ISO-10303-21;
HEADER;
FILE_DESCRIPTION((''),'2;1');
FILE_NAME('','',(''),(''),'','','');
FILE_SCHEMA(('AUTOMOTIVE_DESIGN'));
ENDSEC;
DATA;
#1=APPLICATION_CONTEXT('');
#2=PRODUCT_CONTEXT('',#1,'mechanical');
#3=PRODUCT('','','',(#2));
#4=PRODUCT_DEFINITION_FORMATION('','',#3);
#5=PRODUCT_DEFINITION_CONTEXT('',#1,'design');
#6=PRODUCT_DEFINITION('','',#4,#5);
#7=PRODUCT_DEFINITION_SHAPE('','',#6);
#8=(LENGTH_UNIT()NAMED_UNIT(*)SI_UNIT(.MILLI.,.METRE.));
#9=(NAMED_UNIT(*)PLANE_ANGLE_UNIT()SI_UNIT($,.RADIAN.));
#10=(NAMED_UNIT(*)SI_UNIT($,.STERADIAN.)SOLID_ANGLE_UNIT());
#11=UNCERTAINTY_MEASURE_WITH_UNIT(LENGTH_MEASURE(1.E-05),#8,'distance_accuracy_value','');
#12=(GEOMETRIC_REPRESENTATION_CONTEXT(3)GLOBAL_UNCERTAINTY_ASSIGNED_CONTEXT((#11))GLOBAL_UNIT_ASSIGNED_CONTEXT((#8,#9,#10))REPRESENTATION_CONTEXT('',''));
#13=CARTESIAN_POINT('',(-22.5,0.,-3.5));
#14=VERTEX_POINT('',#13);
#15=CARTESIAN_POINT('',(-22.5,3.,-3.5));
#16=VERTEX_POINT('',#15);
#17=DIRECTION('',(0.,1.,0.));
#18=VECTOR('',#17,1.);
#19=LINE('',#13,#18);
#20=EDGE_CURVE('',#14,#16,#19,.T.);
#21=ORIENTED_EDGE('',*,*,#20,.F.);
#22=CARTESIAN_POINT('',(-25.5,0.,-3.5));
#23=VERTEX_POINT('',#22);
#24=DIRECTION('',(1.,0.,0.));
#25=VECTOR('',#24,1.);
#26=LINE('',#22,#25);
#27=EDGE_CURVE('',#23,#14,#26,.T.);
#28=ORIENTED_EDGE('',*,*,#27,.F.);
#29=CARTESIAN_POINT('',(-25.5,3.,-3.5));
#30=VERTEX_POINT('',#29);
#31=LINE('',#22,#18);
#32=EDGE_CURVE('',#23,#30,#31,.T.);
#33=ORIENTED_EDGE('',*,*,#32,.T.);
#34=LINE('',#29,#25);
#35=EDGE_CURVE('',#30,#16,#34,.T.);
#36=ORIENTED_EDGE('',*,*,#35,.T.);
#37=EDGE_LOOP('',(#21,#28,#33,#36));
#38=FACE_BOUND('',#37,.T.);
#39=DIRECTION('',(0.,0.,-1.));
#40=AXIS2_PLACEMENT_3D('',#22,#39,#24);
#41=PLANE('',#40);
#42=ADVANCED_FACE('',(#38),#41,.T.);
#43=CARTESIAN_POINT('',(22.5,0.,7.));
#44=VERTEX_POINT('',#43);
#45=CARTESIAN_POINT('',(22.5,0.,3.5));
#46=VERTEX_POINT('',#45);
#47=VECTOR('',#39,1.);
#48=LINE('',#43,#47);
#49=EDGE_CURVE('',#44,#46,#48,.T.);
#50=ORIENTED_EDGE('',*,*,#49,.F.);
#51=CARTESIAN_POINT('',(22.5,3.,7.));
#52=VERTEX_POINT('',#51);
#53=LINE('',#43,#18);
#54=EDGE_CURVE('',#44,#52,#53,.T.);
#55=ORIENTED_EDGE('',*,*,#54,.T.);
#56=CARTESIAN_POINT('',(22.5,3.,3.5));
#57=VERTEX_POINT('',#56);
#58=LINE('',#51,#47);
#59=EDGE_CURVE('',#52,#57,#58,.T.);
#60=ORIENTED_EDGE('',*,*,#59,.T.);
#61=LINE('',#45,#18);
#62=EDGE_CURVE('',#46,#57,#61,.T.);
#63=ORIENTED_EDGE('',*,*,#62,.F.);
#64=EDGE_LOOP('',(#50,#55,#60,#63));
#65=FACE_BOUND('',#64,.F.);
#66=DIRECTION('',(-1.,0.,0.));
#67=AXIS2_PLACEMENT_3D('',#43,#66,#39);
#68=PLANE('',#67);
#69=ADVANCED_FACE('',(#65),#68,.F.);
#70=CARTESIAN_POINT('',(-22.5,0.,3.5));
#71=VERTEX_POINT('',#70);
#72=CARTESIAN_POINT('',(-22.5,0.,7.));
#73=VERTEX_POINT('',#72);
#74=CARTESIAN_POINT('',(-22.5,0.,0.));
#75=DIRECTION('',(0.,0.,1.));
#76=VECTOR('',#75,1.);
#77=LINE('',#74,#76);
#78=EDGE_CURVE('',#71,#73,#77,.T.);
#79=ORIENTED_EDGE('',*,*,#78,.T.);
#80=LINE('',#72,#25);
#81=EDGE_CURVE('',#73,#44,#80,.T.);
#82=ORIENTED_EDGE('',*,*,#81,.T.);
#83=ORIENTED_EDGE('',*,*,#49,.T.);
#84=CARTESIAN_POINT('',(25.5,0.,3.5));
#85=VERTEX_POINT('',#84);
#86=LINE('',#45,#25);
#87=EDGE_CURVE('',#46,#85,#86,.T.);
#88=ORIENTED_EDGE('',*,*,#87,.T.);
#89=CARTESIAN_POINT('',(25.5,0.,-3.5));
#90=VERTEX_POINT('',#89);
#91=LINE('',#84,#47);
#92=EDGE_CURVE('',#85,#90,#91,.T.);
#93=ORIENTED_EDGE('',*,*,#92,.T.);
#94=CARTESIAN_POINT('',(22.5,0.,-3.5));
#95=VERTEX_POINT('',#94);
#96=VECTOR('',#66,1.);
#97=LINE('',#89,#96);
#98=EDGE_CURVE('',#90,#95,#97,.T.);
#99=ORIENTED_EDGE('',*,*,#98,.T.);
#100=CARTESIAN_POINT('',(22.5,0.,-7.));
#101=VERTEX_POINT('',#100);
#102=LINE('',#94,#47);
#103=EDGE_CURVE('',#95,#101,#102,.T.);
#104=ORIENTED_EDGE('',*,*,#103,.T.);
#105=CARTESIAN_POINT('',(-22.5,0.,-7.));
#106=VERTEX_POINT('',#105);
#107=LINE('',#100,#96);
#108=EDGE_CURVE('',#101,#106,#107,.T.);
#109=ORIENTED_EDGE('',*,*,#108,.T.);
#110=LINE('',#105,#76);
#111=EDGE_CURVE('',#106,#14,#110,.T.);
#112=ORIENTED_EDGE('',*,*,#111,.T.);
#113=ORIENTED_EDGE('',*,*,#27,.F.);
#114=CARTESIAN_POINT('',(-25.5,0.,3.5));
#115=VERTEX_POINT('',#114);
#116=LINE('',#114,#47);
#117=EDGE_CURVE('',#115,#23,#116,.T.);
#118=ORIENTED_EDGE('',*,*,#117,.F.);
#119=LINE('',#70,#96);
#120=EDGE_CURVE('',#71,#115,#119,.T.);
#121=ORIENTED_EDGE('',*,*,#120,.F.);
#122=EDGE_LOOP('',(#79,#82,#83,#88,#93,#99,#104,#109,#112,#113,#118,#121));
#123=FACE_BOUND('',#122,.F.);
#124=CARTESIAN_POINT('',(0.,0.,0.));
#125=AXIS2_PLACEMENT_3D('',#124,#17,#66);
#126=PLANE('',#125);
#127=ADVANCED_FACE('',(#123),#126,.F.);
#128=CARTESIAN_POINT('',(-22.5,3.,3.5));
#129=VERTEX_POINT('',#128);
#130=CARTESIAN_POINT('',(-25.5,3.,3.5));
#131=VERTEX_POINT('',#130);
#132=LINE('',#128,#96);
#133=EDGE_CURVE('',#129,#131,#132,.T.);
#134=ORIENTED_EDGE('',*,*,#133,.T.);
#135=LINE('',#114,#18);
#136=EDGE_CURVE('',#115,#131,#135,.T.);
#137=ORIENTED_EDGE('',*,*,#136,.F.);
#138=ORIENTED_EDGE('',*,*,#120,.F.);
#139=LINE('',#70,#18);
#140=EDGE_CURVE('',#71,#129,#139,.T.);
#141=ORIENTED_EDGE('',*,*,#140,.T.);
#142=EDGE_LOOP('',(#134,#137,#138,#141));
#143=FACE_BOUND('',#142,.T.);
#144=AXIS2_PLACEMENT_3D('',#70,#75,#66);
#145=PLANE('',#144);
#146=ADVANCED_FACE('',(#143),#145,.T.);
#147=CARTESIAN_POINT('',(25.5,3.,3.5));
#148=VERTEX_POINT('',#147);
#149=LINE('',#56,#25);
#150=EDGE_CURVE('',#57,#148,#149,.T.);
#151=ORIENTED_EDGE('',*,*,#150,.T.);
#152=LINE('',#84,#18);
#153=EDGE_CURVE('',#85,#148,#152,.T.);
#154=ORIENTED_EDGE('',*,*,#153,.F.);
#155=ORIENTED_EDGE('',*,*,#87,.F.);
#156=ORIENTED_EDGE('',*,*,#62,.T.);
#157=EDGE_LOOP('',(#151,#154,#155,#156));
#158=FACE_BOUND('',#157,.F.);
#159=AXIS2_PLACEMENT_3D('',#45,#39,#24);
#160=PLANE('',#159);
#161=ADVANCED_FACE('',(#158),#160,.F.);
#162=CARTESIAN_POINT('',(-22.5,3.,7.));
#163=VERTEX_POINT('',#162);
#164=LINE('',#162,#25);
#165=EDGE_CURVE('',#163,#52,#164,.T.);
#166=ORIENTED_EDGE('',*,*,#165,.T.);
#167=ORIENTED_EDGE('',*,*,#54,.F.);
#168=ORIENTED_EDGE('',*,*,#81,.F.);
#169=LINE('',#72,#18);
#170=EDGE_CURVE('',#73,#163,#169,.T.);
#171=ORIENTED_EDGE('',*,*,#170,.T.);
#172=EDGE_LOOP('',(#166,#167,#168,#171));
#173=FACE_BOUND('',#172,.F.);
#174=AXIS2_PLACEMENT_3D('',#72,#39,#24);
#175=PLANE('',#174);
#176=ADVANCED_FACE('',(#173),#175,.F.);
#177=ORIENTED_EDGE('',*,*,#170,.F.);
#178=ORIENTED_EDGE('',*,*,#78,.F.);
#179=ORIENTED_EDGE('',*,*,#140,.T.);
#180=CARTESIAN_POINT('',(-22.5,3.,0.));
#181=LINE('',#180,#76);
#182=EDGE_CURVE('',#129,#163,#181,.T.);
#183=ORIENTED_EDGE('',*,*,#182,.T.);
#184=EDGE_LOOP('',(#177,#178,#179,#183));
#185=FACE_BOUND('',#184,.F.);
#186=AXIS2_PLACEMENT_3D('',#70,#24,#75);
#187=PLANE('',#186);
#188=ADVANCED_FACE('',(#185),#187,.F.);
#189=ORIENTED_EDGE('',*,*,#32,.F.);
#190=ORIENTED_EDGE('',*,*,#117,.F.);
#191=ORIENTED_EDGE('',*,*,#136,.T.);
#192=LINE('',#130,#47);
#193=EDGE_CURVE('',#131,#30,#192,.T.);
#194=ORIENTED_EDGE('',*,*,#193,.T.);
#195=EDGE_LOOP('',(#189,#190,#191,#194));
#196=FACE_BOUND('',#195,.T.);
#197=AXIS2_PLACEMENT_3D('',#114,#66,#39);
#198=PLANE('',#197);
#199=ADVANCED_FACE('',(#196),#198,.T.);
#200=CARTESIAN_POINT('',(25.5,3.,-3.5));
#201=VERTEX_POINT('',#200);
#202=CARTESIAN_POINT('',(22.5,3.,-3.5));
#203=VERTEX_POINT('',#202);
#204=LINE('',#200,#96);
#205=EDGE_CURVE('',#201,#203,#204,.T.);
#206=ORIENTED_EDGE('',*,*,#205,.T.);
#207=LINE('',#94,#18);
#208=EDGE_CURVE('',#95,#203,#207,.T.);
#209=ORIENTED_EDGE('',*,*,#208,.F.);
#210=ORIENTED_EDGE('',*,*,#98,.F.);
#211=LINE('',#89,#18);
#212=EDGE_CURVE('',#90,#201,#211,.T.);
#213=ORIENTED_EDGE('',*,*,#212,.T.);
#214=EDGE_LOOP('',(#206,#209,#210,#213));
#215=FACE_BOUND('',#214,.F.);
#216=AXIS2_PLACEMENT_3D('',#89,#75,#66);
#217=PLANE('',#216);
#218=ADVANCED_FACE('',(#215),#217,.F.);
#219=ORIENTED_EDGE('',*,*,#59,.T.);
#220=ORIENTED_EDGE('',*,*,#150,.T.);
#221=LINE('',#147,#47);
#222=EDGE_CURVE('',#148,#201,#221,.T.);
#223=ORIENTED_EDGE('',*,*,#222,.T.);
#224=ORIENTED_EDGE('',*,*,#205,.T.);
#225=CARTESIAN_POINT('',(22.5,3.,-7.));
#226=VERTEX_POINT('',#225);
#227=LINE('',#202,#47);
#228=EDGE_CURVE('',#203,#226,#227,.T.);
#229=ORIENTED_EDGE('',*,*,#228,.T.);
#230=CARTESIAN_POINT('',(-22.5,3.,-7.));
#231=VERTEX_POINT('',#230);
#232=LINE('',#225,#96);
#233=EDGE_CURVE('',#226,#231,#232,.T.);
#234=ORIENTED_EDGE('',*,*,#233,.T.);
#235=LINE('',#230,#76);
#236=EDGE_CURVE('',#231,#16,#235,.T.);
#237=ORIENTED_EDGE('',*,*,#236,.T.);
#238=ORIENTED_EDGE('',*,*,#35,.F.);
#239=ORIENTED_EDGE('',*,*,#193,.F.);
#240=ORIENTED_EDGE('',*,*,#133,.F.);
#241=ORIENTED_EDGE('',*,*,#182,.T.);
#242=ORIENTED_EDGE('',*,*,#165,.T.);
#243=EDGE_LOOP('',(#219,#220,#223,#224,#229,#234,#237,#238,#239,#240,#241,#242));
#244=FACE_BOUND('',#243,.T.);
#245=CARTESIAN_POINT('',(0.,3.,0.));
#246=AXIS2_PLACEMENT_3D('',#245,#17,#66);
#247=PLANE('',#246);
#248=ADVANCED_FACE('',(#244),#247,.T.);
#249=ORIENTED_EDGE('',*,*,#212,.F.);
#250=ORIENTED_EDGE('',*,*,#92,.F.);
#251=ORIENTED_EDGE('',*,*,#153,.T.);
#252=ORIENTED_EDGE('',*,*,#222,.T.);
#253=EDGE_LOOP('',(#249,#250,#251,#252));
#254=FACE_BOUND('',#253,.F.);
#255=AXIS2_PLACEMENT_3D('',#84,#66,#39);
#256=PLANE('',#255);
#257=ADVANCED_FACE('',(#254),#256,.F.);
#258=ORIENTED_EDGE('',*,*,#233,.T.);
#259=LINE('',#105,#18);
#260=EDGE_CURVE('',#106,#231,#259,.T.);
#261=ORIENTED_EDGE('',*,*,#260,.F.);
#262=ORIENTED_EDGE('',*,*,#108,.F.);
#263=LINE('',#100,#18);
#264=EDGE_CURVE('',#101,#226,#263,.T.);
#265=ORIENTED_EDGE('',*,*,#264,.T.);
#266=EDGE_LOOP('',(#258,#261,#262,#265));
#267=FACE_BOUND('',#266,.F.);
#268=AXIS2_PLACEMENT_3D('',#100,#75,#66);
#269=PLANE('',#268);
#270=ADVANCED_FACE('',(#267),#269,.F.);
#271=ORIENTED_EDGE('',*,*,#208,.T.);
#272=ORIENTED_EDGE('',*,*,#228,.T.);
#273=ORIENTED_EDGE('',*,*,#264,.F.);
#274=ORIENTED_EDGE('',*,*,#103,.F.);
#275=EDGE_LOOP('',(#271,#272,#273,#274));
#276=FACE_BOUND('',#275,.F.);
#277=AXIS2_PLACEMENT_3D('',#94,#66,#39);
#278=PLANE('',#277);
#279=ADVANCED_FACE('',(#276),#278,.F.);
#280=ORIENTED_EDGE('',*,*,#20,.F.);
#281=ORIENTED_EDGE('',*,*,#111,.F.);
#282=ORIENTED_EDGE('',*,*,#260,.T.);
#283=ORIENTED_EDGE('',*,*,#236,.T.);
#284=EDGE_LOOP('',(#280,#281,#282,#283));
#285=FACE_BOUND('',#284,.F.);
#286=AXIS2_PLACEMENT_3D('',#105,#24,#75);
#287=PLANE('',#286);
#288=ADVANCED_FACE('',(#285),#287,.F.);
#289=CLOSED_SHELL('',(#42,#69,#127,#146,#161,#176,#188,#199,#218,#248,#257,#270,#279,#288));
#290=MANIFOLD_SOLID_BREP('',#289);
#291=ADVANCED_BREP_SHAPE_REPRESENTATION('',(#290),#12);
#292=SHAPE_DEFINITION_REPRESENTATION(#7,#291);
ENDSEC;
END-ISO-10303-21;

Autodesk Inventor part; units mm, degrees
ref_plane "YZ Plane" through (0, 0, 0) normal (1, 0, 0) x (0, 1, 0)
ref_plane "XZ Plane" through (0, 0, 0) normal (0, 1, 0) x (-1, 0, 0)
ref_plane "XY Plane" through (0, 0, 0) normal (0, 0, 1) x (1, 0, 0)
sketch "Náčrt1" plane through (0, 0, 0) normal (0, 1, 0) x (-1, 0, 0)
  line L0 (22.5, 7) -> (-22.5, 7)
  line L1 (-22.5, -7) -> (22.5, -7)
  line L2 (22.5, 7) -> (-22.5, -7) construction
  line L3 (-22.5, 7) -> (22.5, -7) construction
  line L4 (25.5, -3.5) -> (22.5, -3.5)
  line L5 (22.5, 0) -> (22.5, 3.5)
  line L6 (22.5, 3.5) -> (25.5, 3.5)
  line L7 (25.5, 3.5) -> (25.5, -3.5)
  line L8 (25.5, -3.5) -> (22.5, 3.5) construction
  line L9 (22.5, -3.5) -> (25.5, 3.5) construction
  line L10 (22.5, 0) -> (-22.5, 0)
  line L11 (-22.5, 3.5) -> (-25.5, 3.5)
  line L12 (-25.5, 3.5) -> (-25.5, -3.5)
  line L13 (-25.5, -3.5) -> (-22.5, -3.5)
  line L14 (-22.5, 3.5) -> (-25.5, -3.5) construction
  line L15 (-25.5, 3.5) -> (-22.5, -3.5) construction
  line L16 (-22.5, 7) -> (-22.5, 3.5)
  line L17 (-22.5, -3.5) -> (-22.5, -7)
  line L18 (22.5, -7) -> (22.5, -3.5)
  line L19 (22.5, 0) -> (22.5, 7)
  point P0 (0, 0)
  point P1 (24, 0)
  point P2 (-24, 0)
  point P3 (22.5, -5.25)
  dimension "d0" = 14
  dimension "d2" = 7
  dimension "d5" = 7
  dimension "d8" = 3
  dimension "d9" = 3
  dimension "d12" = 45
extrude "Vysunutí1" add sketch "Náčrt1" along normal blind 3
properties part number "Spojka"
